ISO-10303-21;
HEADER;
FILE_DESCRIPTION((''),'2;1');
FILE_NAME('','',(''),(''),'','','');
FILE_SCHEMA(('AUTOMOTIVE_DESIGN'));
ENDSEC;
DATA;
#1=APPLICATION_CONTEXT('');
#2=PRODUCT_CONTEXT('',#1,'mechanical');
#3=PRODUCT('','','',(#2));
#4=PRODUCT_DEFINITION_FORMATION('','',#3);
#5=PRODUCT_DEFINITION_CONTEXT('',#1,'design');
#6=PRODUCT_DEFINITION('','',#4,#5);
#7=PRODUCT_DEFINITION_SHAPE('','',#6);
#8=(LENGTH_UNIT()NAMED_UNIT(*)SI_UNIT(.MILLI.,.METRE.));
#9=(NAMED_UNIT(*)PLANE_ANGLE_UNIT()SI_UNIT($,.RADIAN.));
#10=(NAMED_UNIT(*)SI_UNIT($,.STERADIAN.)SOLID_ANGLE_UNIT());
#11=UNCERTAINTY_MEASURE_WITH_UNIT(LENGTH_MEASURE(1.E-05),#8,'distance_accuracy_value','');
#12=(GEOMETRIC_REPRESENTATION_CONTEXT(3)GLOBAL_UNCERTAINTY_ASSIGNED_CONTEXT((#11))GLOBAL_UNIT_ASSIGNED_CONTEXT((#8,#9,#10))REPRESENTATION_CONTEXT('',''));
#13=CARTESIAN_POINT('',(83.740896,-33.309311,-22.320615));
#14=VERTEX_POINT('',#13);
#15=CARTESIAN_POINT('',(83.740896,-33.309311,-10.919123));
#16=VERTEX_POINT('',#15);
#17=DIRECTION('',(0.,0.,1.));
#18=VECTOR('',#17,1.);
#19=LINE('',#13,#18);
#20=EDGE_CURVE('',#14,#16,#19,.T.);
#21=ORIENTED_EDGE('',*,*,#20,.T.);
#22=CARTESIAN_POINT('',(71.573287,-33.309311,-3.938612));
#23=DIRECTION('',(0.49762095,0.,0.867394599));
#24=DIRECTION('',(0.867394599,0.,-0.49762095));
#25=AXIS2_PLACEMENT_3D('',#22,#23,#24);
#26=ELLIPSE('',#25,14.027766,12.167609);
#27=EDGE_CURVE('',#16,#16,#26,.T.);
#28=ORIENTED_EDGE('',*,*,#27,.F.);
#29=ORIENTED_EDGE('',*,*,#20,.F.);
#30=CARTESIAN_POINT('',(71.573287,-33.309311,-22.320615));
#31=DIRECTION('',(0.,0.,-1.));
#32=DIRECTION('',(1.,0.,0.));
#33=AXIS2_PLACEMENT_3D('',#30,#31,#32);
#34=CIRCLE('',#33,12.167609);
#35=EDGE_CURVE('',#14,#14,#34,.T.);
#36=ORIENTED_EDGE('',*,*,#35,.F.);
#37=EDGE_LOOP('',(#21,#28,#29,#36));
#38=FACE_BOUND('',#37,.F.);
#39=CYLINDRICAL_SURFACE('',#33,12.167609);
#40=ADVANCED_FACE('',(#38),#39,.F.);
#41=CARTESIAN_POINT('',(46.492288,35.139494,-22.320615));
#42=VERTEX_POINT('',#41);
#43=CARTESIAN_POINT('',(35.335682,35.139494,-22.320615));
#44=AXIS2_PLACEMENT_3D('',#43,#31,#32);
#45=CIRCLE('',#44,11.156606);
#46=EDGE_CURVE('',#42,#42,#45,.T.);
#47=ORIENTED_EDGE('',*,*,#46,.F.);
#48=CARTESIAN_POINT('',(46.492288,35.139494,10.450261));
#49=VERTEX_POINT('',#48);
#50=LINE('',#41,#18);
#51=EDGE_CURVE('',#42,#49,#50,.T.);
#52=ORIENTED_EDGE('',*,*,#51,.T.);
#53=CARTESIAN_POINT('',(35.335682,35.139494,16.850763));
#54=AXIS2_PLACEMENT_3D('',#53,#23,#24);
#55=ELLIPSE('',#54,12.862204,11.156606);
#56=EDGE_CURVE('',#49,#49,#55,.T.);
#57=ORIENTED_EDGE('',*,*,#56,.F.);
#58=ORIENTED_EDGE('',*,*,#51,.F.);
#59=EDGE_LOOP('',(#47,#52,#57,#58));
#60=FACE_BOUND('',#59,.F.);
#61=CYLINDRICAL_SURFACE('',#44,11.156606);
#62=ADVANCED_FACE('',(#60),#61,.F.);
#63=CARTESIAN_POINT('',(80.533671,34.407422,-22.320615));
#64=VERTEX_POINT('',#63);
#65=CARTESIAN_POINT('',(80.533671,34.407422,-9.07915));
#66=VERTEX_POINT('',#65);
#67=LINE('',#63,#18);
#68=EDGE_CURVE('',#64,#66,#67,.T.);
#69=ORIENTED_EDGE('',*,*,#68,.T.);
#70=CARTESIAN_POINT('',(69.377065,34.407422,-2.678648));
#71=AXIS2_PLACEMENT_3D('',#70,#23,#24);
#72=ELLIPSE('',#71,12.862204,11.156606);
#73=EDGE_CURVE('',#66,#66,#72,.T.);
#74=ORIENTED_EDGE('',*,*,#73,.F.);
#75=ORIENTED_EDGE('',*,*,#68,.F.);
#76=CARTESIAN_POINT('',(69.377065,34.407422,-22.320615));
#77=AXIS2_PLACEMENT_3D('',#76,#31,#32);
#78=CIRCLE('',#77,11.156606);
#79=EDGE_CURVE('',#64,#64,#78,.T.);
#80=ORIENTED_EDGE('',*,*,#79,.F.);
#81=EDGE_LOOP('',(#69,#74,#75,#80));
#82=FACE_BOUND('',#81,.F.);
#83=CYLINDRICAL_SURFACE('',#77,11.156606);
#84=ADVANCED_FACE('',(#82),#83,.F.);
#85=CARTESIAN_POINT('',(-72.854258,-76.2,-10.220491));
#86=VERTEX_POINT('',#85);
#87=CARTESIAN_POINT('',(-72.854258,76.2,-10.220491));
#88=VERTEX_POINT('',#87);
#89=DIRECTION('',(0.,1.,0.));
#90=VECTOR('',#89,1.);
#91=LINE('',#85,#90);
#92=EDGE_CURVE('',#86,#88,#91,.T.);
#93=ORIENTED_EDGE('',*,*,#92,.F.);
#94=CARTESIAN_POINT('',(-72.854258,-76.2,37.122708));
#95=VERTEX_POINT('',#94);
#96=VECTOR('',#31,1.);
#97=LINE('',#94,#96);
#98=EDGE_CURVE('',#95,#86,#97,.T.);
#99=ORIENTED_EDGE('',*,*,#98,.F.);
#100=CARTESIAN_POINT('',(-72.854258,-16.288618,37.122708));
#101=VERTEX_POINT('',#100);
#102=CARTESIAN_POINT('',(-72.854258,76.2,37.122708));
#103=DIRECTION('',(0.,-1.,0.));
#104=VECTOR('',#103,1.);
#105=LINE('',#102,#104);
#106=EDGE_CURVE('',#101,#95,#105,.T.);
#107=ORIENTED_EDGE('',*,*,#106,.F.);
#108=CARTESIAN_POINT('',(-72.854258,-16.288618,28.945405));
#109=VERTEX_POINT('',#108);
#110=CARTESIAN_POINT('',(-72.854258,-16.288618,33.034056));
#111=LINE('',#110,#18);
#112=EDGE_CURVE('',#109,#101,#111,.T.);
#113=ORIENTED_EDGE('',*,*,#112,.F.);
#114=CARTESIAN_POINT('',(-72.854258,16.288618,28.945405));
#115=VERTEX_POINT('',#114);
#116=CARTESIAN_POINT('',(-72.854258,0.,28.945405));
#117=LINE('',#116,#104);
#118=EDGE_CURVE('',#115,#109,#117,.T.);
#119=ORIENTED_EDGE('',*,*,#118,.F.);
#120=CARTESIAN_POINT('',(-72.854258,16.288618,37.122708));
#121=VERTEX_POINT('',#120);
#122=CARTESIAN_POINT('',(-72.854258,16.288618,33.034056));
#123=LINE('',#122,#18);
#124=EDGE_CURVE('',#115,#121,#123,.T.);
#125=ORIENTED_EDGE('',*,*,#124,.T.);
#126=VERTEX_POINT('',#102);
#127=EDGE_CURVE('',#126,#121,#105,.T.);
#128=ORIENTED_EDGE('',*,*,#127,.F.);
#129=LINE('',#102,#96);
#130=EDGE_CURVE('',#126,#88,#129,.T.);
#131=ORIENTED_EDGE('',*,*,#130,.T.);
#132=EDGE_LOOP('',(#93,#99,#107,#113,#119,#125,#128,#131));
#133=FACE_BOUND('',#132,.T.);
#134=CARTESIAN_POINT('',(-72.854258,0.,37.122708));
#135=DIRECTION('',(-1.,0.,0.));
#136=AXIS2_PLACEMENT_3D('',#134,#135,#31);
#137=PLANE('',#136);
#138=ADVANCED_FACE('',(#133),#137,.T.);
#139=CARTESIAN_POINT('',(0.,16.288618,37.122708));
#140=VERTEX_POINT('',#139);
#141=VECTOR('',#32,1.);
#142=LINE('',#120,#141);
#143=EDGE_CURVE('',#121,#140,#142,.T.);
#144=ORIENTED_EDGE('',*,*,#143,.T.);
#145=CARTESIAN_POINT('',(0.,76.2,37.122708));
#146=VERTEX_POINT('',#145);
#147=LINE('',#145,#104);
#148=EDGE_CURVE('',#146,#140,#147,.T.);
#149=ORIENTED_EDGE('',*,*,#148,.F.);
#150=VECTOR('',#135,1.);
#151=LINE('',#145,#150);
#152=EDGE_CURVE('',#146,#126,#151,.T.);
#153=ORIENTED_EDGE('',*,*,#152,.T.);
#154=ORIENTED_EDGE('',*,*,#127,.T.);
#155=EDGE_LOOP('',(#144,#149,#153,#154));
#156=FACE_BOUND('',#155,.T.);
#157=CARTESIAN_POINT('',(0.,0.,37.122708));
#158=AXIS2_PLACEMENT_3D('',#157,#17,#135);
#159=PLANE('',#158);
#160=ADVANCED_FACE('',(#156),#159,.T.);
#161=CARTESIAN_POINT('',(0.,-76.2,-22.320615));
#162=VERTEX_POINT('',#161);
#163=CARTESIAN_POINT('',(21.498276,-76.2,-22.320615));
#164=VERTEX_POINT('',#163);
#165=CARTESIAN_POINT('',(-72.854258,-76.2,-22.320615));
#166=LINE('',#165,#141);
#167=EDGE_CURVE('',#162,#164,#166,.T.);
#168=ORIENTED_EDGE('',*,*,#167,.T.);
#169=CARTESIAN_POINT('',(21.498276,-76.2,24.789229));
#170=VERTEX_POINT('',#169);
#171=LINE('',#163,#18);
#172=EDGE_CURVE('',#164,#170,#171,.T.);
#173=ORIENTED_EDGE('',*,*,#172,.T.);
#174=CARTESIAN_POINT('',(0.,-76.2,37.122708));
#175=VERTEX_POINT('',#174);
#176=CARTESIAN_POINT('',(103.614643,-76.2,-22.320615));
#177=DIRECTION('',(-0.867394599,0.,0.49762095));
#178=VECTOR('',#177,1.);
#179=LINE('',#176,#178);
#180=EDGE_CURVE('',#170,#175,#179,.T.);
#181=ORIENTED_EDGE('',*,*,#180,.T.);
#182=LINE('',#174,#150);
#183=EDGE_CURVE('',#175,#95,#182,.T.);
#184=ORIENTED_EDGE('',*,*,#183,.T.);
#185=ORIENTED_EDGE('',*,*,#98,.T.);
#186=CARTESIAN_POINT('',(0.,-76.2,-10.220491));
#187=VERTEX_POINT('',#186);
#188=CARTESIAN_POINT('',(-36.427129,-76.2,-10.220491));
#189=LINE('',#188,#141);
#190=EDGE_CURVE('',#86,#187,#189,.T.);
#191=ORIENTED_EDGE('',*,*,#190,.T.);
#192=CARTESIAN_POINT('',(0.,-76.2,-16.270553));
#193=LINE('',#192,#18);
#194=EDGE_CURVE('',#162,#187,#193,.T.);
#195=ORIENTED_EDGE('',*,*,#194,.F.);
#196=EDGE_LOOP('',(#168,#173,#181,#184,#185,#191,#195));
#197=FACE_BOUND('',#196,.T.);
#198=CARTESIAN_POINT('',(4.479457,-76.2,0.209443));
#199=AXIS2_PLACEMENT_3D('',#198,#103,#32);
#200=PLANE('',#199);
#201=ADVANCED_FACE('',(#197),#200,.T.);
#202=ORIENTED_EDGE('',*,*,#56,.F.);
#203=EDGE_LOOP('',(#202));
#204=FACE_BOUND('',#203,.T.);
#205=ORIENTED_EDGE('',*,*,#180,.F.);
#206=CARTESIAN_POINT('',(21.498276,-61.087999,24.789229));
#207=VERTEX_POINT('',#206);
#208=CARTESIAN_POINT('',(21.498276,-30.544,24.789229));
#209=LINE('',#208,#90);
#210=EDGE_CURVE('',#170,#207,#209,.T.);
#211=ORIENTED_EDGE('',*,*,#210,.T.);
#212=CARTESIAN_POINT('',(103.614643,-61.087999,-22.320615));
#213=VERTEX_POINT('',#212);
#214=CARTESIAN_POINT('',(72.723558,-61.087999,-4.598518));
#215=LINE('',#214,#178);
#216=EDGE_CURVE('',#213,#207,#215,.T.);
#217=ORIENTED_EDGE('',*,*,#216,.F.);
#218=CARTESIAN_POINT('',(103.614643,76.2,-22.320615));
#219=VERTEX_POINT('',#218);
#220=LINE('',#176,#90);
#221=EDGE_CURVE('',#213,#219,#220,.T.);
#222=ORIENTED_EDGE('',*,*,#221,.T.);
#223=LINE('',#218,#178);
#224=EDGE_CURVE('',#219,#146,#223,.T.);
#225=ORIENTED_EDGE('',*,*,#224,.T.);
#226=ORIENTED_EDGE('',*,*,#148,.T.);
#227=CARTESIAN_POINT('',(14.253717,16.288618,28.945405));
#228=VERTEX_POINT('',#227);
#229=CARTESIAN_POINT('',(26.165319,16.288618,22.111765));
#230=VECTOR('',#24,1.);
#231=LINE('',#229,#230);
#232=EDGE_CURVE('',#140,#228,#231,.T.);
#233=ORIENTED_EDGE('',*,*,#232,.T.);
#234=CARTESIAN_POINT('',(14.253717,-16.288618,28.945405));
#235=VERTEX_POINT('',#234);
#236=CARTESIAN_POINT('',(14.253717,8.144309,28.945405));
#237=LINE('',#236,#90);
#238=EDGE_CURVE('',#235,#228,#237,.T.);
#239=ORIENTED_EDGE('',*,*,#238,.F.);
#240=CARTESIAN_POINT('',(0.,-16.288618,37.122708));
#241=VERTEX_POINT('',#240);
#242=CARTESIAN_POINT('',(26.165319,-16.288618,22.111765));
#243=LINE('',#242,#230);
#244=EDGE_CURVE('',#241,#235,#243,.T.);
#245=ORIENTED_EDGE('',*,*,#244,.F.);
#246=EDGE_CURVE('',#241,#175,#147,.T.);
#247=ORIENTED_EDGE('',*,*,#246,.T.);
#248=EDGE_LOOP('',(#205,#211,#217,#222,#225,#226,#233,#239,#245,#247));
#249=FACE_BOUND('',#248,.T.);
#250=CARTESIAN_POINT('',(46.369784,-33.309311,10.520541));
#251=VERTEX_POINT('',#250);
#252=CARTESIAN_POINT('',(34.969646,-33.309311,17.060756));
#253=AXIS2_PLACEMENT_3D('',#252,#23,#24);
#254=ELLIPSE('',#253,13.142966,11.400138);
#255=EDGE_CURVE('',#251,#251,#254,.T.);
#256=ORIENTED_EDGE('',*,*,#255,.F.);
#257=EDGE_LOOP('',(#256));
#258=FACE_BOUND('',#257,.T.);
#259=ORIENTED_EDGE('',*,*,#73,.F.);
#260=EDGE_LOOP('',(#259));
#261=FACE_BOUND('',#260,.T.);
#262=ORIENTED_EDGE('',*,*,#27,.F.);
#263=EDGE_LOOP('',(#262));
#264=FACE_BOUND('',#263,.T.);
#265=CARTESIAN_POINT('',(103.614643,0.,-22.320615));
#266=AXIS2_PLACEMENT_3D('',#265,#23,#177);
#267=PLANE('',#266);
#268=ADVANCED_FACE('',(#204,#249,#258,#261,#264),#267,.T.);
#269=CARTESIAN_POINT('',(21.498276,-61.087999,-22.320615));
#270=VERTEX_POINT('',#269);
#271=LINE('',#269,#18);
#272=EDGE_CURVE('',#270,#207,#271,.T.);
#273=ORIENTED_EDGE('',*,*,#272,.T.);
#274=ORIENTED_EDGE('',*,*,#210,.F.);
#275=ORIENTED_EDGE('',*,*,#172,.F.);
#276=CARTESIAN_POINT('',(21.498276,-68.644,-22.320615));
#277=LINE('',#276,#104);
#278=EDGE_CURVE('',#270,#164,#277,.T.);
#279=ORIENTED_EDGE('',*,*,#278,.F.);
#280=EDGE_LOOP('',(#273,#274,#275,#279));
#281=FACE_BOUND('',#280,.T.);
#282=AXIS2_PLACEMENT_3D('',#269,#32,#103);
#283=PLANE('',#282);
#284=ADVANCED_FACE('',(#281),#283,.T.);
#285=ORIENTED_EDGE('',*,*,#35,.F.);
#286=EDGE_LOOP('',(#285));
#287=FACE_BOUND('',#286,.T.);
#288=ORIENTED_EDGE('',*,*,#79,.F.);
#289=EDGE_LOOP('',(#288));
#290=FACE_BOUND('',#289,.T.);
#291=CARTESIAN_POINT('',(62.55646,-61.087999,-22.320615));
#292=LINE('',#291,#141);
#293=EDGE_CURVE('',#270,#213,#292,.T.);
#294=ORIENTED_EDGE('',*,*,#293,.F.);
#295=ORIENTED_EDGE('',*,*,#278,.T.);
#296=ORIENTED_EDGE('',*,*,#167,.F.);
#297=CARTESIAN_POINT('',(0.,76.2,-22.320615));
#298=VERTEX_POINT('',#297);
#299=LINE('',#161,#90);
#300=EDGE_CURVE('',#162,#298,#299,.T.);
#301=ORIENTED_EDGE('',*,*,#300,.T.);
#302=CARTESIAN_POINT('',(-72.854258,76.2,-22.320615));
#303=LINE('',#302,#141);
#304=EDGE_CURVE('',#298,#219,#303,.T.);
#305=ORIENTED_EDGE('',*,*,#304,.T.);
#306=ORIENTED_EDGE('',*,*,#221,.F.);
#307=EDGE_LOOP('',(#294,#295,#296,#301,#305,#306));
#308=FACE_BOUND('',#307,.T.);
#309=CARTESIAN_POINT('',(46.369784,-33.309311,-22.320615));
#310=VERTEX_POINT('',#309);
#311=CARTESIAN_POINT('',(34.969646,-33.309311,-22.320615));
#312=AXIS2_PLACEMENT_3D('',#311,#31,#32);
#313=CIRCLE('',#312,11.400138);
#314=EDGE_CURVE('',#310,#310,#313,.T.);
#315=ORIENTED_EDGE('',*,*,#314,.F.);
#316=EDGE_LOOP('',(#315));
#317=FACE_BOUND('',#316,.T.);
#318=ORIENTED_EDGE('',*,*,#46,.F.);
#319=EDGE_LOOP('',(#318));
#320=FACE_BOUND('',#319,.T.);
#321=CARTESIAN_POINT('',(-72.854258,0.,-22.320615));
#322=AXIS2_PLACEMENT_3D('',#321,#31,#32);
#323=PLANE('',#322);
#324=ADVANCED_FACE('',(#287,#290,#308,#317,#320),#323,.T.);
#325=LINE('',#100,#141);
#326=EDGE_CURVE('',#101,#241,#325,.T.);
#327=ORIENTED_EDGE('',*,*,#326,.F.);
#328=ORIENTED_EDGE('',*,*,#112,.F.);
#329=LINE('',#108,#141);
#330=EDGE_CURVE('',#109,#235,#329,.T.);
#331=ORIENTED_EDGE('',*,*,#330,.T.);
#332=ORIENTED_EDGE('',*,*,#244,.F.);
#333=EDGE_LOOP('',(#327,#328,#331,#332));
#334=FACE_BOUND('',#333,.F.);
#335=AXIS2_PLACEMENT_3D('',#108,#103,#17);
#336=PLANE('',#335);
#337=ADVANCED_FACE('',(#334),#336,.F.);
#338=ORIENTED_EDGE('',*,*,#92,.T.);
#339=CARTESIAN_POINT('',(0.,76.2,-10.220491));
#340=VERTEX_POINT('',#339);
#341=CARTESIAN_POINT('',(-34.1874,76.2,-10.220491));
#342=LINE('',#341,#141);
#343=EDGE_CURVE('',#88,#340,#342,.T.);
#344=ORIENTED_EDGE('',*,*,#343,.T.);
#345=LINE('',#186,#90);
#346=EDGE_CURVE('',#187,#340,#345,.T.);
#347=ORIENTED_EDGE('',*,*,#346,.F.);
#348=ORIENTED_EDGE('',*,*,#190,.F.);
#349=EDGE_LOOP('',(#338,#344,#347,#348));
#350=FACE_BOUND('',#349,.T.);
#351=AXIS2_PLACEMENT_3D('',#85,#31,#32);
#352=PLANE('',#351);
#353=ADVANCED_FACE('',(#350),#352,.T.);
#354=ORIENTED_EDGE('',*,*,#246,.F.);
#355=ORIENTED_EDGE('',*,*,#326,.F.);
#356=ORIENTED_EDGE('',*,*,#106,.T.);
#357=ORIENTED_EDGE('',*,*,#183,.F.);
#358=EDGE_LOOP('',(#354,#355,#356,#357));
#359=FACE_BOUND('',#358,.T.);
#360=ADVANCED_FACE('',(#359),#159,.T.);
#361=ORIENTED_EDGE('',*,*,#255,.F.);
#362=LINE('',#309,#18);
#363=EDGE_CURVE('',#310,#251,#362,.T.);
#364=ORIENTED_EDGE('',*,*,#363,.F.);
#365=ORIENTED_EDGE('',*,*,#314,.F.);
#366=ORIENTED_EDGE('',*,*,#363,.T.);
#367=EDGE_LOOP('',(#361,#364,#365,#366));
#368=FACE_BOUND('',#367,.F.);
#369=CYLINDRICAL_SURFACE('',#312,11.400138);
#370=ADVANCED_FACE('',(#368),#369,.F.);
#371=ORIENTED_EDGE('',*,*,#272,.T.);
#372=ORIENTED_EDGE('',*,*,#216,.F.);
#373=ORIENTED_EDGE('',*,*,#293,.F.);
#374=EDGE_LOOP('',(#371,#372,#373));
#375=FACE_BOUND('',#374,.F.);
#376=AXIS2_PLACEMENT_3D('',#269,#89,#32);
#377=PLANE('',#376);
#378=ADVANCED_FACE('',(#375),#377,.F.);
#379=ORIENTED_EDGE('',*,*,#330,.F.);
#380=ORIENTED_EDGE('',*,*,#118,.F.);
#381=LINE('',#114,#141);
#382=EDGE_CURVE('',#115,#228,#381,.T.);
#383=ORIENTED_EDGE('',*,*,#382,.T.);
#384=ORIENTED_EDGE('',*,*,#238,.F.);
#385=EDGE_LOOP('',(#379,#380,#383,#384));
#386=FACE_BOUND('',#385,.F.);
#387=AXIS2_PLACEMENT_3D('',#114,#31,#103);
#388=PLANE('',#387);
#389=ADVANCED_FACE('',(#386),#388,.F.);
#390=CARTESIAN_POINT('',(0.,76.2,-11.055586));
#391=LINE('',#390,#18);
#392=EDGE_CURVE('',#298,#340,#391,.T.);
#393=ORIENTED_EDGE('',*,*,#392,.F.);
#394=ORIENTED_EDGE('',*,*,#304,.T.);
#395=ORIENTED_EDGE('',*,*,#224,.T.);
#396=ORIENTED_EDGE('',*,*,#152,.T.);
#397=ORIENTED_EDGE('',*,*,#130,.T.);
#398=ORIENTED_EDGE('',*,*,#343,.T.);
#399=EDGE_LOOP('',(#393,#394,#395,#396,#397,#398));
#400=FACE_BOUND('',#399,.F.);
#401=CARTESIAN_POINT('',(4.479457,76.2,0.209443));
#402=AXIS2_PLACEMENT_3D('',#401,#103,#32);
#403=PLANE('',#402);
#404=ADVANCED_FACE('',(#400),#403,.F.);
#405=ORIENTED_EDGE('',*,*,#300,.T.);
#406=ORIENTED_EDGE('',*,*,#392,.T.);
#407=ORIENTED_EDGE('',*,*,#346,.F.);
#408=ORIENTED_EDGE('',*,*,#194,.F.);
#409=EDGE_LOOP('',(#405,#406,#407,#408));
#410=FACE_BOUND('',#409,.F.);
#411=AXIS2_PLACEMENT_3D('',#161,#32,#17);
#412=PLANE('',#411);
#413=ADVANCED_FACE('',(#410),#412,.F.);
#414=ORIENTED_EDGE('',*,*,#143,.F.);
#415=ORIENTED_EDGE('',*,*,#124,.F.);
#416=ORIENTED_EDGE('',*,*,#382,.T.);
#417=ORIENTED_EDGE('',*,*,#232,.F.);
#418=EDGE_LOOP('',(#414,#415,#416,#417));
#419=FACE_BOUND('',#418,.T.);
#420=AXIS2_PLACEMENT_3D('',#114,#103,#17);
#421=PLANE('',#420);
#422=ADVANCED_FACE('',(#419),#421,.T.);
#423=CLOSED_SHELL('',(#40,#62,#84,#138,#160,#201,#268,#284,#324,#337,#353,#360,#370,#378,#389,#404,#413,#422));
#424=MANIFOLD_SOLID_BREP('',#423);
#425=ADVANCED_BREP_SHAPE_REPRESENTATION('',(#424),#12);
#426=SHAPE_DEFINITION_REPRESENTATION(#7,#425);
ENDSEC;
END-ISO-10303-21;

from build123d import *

# Parameters (mm, degrees)
F1_DEPTH  = 76.2
F2_DEPTH  = 76.2
F3_W      = 72.8542578737
F3_H      = 12.1001238003
F4_DEPTH  = 152.401
F5_W      = 82.1163672954
F5_H      = 15.1120005071
F6_DEPTH  = 59.4443229417
F7_W      = 32.5772352517
F7_H      = 8.1773027778
F8_DEPTH  = 176.4699010899
F9_R      = 11.4001375148
F10_DEPTH = 59.4443229417
F11_R     = 12.1676085245
F12_DEPTH = 59.4443229417
F13_R     = 11.1566059008
F14_DEPTH = 59.4443229417
F15_R     = 11.1566059008
F16_DEPTH = 59.4443229417


with BuildPart() as f1:
    # F0 (on Front) → F1 (new body)
    with BuildSketch(Plane.XZ):
        Polygon((103.6146432161, -22.3206151277), (0, 37.122707814), (-72.8542578737, 37.122707814), (-72.8542578737, -22.3206151277), align=None)
    extrude(amount=F1_DEPTH)

    # F2 (add): a face of the model
    f2_faces = [f1.faces().sort_by_distance(p)[0] for p in [
        (-6.935088319, 0, 3.283766903),
    ]]
    extrude(f2_faces, amount=F2_DEPTH)

    # F3 (on face) → F4 (cut, through all)
    with BuildSketch(Plane.XZ.offset(76.2)):
        with Locations((-36.4271289369, -16.2705532275)):
            Rectangle(F3_W, F3_H)
    extrude(amount=-F4_DEPTH, mode=Mode.SUBTRACT)

    # F5 (on face) → F6 (cut, through all)
    with BuildSketch(Plane(origin=(0, 0, -22.3206151277), x_dir=(1, 0, 0), z_dir=(0, 0, -1))):
        with Locations((62.5564595684, 68.6439997464)):
            Rectangle(F5_W, F5_H)
    extrude(amount=-F6_DEPTH, mode=Mode.SUBTRACT)

    # F7 (on face) → F8 (cut, through all)
    with BuildSketch(Plane(origin=(-72.8542578737, 0, 0), x_dir=(0, -1, 0), z_dir=(-1, 0, 0))):
        with Locations((0, 33.0340564251)):
            Rectangle(F7_W, F7_H)
    extrude(amount=-F8_DEPTH, mode=Mode.SUBTRACT)

    # F9 (on face) → F10 (cut, through all)
    with BuildSketch(Plane(origin=(0, 0, -22.3206151277), x_dir=(1, 0, 0), z_dir=(0, 0, -1))):
        with Locations((34.9696464837, 33.3093106747)):
            Circle(F9_R)
    extrude(amount=-F10_DEPTH, mode=Mode.SUBTRACT)

    # F11 (on face) → F12 (cut, through all)
    with BuildSketch(Plane(origin=(0, 0, -22.3206151277), x_dir=(1, 0, 0), z_dir=(0, 0, -1))):
        with Locations((71.5732872486, 33.3093106747)):
            Circle(F11_R)
    extrude(amount=-F12_DEPTH, mode=Mode.SUBTRACT)

    # F13 (on face) → F14 (cut, through all)
    with BuildSketch(Plane(origin=(0, 0, -22.3206151277), x_dir=(1, 0, 0), z_dir=(0, 0, -1))):
        with Locations((35.3356823325, -35.1394936442)):
            Circle(F13_R)
    extrude(amount=-F14_DEPTH, mode=Mode.SUBTRACT)

    # F15 (on face) → F16 (cut, through all)
    with BuildSketch(Plane(origin=(0, 0, -22.3206151277), x_dir=(1, 0, 0), z_dir=(0, 0, -1))):
        with Locations((69.3770647049, -34.4074219465)):
            Circle(F15_R)
    extrude(amount=-F16_DEPTH, mode=Mode.SUBTRACT)


solid = f1.part
